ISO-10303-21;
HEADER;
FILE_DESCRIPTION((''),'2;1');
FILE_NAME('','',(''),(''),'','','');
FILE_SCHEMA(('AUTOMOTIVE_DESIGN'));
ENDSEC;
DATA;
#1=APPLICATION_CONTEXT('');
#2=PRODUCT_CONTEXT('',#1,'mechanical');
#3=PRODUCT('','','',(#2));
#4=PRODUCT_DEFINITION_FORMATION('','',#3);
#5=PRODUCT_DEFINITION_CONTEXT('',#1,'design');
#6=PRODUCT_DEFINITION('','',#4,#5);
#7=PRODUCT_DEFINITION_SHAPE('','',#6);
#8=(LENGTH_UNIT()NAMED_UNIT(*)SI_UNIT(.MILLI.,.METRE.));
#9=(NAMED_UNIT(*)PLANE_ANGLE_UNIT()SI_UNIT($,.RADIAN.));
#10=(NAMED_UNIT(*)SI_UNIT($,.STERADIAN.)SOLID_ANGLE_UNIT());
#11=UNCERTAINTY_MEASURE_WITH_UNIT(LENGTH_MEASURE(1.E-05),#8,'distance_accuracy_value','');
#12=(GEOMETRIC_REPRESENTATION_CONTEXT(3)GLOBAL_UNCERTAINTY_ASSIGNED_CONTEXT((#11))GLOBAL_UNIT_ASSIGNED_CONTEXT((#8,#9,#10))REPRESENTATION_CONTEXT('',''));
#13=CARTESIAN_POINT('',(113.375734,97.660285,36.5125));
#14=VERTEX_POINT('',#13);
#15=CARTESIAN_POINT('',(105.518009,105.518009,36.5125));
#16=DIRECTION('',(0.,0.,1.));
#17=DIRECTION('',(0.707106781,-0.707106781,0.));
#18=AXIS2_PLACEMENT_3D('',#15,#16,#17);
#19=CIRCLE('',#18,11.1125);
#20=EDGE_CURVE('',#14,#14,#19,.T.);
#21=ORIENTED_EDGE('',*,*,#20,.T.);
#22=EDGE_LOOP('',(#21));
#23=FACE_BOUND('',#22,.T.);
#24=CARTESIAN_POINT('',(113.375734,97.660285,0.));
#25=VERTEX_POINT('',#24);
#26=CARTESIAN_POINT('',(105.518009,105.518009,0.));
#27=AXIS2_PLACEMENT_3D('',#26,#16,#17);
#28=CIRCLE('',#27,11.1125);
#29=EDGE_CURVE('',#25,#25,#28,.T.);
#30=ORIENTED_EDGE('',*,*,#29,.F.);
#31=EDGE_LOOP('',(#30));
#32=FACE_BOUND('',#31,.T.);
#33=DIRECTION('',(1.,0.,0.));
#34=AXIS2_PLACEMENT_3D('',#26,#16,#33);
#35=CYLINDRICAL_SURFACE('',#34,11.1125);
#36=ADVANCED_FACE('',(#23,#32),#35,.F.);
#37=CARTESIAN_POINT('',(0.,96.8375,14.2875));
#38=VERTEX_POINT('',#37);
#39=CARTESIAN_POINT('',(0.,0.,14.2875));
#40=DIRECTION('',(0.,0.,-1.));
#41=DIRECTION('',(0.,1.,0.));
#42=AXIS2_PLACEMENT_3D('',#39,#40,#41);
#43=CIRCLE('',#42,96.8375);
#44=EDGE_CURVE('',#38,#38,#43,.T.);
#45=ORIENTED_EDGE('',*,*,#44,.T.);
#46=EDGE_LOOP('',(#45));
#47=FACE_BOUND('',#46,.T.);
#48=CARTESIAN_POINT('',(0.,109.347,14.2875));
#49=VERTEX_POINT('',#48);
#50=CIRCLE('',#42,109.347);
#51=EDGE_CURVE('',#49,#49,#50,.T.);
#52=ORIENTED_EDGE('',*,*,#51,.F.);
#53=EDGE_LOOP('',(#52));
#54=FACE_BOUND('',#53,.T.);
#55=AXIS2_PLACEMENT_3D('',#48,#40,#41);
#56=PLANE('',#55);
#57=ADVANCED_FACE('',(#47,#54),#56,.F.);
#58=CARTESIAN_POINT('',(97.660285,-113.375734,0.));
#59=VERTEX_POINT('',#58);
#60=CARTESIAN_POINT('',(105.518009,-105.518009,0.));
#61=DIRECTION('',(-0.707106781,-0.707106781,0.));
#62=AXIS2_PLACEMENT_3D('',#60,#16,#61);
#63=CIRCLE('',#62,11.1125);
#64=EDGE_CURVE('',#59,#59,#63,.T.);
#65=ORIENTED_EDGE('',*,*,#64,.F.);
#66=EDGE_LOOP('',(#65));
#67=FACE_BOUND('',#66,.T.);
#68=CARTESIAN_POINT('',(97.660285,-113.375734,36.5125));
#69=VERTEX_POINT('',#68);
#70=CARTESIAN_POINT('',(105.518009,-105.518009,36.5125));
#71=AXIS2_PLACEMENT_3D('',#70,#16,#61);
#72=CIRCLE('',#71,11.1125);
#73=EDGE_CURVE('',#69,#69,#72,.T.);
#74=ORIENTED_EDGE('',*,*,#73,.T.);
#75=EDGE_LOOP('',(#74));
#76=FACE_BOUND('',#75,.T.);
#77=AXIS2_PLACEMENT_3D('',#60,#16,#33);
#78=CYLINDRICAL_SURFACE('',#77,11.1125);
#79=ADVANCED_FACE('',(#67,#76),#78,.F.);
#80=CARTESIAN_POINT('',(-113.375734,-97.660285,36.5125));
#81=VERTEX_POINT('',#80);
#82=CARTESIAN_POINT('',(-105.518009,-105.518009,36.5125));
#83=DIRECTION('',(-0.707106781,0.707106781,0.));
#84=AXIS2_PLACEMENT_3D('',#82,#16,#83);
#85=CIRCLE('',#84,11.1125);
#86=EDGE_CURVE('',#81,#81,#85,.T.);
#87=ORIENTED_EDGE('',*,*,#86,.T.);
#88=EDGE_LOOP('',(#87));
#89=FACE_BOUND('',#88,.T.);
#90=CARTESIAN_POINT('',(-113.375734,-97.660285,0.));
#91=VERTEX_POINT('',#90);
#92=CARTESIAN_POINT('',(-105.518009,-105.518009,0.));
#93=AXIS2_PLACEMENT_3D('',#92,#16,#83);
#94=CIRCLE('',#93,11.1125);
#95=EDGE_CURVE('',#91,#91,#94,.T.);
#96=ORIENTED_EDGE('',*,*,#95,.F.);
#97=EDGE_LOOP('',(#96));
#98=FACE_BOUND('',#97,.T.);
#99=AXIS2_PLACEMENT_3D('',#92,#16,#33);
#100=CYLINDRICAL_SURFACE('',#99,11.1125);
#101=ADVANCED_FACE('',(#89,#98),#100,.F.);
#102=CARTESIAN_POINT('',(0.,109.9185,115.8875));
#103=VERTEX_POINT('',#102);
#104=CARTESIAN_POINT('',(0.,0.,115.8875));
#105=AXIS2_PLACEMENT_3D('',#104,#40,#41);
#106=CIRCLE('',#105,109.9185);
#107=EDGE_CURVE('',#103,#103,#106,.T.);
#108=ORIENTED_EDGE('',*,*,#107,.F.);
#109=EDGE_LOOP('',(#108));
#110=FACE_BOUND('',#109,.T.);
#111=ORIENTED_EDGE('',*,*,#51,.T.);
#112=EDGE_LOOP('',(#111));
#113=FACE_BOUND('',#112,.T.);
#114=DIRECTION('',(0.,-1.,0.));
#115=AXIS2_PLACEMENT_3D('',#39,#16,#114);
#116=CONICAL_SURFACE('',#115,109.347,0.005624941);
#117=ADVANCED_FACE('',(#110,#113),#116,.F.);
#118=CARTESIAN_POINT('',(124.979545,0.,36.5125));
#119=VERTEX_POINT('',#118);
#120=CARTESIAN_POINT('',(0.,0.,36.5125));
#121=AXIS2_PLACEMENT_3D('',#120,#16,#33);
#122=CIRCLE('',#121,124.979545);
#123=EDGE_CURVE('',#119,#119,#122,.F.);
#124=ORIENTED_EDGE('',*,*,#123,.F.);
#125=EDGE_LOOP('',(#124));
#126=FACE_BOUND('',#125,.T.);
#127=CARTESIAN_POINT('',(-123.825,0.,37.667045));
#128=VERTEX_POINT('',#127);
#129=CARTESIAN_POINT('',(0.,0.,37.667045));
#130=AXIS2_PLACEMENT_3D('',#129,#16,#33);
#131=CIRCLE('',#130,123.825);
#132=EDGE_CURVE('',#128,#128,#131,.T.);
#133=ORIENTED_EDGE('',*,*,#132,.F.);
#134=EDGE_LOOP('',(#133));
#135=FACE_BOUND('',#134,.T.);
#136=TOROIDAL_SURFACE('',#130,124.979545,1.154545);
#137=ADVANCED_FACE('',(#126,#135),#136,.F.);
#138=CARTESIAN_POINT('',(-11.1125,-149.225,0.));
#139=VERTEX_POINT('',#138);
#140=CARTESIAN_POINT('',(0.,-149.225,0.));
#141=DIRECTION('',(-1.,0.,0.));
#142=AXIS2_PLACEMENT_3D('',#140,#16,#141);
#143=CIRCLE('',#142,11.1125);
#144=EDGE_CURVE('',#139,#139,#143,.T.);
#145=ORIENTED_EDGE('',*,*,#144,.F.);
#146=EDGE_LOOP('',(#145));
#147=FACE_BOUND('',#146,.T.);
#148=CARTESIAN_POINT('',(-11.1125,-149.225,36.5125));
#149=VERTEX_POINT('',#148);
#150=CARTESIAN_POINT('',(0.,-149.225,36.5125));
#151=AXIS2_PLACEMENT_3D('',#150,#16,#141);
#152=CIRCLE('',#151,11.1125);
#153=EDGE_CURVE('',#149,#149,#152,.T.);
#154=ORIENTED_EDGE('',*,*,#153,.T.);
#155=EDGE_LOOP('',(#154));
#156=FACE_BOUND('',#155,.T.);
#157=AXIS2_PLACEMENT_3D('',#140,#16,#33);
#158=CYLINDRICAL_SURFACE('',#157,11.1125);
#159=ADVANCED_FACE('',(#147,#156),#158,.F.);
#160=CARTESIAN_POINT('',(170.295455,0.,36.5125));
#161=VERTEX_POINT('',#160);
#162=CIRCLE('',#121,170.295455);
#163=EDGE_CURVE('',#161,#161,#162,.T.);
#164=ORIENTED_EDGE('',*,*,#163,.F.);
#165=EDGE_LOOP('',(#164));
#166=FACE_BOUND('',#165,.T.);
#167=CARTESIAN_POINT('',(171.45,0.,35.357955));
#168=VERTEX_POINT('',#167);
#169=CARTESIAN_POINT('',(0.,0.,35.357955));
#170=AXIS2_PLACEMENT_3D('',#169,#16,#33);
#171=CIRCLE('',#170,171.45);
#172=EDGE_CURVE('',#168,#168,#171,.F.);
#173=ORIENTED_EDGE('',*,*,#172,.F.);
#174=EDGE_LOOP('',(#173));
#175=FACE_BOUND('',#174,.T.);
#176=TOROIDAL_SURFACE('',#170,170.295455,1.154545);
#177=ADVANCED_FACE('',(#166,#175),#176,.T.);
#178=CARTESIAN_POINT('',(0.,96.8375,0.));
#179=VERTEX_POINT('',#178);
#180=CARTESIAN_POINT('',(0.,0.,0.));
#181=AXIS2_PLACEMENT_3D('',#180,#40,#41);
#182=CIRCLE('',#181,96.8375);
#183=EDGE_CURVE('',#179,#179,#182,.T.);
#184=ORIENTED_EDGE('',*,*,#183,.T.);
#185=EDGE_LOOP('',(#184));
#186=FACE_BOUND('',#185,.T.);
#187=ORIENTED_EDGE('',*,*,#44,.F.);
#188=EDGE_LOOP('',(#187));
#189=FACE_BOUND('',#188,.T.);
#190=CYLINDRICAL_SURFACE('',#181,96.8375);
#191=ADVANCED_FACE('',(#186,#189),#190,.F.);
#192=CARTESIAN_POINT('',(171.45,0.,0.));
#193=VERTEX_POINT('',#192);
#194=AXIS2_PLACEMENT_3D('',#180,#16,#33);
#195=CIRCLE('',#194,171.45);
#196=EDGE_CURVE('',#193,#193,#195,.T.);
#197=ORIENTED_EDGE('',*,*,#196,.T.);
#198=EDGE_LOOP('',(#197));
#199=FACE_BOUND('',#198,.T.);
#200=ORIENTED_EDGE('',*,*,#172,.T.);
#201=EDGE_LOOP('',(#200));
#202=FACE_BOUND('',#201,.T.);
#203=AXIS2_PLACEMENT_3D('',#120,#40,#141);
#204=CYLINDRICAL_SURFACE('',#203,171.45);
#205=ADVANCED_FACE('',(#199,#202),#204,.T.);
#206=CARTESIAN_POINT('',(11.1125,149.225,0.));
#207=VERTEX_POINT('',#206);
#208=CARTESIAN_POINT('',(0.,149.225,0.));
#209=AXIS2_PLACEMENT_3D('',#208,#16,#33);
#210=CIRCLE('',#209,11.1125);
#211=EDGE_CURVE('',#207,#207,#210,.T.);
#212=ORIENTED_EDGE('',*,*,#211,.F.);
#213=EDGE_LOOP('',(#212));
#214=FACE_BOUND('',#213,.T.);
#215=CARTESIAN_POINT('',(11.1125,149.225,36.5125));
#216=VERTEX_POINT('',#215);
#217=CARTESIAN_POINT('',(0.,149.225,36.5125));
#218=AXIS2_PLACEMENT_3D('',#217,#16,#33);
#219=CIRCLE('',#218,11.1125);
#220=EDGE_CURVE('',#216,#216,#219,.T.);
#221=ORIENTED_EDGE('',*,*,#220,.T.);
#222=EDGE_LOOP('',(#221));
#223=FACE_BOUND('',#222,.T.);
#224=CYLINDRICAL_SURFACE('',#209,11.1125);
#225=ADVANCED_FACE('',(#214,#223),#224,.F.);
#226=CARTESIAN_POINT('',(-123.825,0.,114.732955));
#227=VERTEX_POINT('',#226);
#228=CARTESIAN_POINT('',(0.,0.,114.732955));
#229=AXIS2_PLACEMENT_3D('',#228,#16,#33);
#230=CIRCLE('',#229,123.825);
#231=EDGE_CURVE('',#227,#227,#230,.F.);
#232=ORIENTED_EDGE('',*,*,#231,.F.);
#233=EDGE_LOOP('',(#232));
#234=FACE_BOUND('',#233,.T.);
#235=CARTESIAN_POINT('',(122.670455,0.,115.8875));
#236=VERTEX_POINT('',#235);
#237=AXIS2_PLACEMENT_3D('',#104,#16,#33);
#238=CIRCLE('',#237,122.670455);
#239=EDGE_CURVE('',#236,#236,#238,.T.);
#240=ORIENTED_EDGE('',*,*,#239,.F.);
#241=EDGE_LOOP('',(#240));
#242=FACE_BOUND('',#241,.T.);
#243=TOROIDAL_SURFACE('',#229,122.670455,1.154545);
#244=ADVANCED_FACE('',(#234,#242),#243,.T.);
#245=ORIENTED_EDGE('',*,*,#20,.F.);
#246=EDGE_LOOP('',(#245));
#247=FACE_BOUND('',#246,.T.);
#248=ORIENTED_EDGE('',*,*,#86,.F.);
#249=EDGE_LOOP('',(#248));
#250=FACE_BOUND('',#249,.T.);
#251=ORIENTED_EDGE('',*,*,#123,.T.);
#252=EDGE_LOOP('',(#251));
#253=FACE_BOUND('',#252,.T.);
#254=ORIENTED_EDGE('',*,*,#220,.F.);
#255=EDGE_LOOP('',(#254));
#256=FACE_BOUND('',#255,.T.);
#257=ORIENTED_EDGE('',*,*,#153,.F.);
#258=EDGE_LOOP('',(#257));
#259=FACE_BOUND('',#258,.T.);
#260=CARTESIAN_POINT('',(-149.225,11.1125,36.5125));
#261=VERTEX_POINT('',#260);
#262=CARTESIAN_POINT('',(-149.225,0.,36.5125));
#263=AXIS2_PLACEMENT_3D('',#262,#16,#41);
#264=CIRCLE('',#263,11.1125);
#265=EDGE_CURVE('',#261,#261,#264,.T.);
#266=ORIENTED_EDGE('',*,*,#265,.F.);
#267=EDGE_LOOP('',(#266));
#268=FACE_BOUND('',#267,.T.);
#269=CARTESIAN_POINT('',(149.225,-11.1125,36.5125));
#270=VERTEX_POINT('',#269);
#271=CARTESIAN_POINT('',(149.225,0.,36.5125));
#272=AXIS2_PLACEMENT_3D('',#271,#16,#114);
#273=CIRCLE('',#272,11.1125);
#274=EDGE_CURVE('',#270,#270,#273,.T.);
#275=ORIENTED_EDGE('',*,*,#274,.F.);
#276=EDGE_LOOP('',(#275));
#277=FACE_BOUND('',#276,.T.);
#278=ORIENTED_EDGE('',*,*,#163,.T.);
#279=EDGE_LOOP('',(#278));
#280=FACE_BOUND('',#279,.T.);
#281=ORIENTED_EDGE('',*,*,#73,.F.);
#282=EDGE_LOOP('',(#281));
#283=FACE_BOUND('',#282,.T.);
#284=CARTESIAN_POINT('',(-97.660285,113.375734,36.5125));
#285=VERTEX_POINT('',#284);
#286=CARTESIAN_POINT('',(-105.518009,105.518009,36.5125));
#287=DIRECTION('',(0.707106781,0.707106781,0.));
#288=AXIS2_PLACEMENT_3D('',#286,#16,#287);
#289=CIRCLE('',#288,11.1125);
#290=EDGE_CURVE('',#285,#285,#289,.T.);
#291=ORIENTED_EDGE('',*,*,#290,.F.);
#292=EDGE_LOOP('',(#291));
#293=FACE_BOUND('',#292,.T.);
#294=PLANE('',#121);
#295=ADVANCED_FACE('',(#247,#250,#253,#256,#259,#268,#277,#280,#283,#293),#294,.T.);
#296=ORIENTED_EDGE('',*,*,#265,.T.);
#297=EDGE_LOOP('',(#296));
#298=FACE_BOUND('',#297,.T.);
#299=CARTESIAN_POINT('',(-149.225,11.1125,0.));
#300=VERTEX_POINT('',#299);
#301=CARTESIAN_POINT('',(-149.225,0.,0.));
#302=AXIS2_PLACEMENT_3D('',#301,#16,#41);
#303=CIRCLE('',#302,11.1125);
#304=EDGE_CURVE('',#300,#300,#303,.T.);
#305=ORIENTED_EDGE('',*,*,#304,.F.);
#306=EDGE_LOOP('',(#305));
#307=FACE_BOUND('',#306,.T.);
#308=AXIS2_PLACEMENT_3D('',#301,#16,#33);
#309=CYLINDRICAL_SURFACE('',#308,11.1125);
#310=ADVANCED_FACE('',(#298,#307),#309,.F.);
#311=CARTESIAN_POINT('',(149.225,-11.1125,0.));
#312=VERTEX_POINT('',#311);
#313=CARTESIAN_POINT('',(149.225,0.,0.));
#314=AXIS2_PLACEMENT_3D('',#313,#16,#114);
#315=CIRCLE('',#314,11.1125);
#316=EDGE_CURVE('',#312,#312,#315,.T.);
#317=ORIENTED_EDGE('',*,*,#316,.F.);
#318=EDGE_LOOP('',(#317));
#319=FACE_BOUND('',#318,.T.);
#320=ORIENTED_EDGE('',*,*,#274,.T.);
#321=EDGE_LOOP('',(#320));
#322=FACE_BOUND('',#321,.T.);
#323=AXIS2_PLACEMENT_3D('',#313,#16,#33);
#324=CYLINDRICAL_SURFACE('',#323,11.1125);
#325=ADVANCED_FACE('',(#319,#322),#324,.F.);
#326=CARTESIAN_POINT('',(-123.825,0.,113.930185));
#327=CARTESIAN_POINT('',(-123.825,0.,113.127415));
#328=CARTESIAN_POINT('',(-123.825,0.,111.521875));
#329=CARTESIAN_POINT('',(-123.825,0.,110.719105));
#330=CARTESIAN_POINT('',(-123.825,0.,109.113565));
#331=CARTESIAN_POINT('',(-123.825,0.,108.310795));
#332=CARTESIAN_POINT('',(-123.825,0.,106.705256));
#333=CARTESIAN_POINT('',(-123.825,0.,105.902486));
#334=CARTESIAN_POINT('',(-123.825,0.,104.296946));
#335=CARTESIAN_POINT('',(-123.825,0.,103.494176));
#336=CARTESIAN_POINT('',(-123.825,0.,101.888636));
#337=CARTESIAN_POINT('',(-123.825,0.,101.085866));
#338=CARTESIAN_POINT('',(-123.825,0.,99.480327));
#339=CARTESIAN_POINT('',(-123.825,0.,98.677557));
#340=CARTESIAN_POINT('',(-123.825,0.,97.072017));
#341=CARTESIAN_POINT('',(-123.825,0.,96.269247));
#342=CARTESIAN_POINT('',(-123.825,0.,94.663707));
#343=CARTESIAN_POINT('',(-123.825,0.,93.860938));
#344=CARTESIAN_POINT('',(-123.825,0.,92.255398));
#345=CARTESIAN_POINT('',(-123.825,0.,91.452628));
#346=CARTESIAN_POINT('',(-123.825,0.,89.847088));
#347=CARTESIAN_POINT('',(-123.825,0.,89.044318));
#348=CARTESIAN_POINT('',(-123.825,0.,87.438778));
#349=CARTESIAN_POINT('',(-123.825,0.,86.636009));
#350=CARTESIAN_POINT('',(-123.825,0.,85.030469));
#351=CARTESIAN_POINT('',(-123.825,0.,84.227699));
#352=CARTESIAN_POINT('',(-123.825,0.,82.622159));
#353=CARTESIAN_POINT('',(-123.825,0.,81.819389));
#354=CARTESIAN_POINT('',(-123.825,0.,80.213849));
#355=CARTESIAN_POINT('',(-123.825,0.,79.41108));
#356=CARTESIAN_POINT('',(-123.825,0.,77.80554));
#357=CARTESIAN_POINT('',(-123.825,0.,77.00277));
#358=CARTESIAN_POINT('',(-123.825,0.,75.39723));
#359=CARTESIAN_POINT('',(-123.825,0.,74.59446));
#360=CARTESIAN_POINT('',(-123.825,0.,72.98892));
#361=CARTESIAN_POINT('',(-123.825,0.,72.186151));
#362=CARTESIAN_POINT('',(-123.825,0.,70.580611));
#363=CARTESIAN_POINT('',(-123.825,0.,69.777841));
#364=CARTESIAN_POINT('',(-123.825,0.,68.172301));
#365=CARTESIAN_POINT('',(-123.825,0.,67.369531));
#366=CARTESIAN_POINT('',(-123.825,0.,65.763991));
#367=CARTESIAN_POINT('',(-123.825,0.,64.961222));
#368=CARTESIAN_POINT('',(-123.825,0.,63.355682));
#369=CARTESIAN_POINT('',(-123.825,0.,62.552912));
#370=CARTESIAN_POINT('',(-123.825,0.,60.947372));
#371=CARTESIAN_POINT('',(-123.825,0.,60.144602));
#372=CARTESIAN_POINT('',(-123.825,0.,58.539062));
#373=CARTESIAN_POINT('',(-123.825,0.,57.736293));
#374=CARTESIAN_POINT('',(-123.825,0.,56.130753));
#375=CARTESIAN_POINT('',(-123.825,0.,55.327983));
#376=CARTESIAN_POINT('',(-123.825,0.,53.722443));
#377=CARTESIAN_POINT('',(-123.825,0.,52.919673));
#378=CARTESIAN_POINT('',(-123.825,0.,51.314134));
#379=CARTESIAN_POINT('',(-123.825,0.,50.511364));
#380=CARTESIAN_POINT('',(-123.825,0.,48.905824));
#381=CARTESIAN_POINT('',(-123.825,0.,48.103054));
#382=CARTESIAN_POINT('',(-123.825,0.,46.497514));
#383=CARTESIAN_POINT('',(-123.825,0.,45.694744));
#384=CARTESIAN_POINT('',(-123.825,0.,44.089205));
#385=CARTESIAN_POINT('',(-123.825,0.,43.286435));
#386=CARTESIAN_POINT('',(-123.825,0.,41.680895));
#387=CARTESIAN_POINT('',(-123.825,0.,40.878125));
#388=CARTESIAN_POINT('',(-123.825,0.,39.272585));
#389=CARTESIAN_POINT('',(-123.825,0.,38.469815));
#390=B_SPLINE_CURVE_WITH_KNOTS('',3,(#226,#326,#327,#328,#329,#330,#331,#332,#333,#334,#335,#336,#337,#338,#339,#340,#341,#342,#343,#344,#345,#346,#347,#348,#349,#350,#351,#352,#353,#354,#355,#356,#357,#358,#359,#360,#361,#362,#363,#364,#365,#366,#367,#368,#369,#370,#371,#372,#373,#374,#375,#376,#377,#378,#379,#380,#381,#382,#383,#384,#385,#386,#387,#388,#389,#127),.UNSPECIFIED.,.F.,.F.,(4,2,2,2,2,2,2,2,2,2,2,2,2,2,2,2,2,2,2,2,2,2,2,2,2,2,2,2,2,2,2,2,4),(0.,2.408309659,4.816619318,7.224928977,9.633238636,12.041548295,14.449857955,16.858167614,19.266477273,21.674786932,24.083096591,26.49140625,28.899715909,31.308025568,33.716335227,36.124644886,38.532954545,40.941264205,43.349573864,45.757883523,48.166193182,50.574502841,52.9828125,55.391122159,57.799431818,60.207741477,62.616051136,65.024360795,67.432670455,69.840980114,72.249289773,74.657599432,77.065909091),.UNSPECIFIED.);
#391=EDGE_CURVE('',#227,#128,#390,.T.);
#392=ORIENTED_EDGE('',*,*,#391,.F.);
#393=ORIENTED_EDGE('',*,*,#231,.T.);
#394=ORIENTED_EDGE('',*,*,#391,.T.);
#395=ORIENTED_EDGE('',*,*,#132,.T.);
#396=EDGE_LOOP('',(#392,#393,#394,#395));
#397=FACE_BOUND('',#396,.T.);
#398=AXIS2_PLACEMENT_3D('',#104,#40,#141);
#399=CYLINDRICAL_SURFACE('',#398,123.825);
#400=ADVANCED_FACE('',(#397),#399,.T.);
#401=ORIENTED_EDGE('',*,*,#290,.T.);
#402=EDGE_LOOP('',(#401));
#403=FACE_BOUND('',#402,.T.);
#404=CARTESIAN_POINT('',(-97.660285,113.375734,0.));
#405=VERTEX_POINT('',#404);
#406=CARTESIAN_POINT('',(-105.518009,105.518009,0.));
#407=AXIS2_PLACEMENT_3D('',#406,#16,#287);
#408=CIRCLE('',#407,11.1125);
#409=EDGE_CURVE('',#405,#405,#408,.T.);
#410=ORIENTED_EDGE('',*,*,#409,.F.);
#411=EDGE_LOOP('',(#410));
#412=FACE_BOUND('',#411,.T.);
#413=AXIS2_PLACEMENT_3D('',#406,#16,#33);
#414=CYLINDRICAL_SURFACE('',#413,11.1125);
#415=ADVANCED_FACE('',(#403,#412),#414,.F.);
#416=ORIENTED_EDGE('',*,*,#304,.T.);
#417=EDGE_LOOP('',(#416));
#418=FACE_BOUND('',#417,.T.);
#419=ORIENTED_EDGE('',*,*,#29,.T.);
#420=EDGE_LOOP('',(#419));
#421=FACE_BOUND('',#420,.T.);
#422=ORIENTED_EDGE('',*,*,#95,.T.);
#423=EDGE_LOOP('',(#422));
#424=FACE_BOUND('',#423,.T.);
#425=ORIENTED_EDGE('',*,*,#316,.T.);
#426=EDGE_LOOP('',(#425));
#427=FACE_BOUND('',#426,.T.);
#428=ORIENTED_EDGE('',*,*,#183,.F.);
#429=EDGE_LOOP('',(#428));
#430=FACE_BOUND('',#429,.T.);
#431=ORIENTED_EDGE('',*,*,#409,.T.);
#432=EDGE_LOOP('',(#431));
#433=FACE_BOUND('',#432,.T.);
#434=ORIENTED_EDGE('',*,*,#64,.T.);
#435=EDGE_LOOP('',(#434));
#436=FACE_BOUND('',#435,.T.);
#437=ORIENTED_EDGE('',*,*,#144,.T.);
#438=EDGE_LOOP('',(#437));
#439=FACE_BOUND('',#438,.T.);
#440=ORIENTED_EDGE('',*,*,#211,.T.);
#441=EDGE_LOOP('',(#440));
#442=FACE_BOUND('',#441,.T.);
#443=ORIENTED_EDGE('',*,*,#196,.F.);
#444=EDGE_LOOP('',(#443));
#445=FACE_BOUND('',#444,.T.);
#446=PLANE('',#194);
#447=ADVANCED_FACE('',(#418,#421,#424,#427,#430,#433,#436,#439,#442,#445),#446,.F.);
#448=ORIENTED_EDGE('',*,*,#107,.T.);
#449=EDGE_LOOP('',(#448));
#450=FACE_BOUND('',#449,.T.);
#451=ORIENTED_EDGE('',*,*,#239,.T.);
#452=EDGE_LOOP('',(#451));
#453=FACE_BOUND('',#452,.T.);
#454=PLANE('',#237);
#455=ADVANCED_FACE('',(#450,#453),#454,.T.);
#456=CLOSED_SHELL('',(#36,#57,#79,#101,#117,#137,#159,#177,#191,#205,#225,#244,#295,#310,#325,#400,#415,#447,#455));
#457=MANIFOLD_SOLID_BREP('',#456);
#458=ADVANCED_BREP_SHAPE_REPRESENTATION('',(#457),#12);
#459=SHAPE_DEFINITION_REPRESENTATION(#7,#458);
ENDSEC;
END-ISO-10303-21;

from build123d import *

# Parameters (mm, degrees)
SKETCH1_R         = 171.45
EXTRUDE1_DEPTH    = 36.5125
SKETCH2_R         = 123.825
EXTRUDE2_DEPTH    = 79.375
SKETCH3_R         = 11.1125
EXTRUDE3_DEPTH    = 256.128586452
CIRPATTERN1_COUNT = 8
FILLET1_R         = 1.154545455


with BuildPart() as part:
    # Sketch1 → Extrude1 (new body)
    with BuildSketch(Plane.XY):
        Circle(SKETCH1_R)
    extrude(amount=EXTRUDE1_DEPTH)

    # Sketch2 → Extrude2 (add)
    with BuildSketch(Plane.XY.offset(36.5125)):
        with Locations(Location((0, 0, 0), (0, 0, 180))):
            Circle(SKETCH2_R)
    extrude(amount=EXTRUDE2_DEPTH)

    # Sketch3 → Extrude3 (cut, through all)
    with BuildSketch(Plane.XY.offset(36.5125)):
        with Locations((0, 149.225)):
            Circle(SKETCH3_R)
    extrude3 = extrude(amount=-EXTRUDE3_DEPTH, mode=Mode.SUBTRACT)

    # CirPattern1: Extrude3 ×8 about axis
    cirpattern1_axis = Axis((0, 0, 0), (0, 0, 1))
    for i in range(1, CIRPATTERN1_COUNT):
        add(extrude3.rotate(cirpattern1_axis, i * 360 / CIRPATTERN1_COUNT), mode=Mode.SUBTRACT)

    # Fillet1
    fillet1_edges = [part.edges().sort_by_distance(p)[0] for p in [
        (-171.45, 0, 36.5125),
        (123.825, 0, 36.5125),
        (123.825, 0, 115.8875),
    ]]
    fillet(fillet1_edges, radius=FILLET1_R)

    # Sketch4 → Cut-Revolve1 (revolve, cut)
    with BuildSketch(Plane(origin=(0, 0, 63.5), x_dir=(0, 0, -1), z_dir=(1, 0, 0)), mode=Mode.PRIVATE) as cut_revolve1_sk:
        Polygon((-52.3875, 109.9185), (49.2125, 109.347), (49.2125, 96.8375), (63.5, 96.8375), (63.5, 0), (-52.3875, 0), align=None)
    revolve(cut_revolve1_sk.sketch.rotate(Axis((0, 0, 0), (0, 0, 1)), 270), axis=Axis((0, 0, 0), (0, 0, 1)), mode=Mode.SUBTRACT)


solid = part.part
